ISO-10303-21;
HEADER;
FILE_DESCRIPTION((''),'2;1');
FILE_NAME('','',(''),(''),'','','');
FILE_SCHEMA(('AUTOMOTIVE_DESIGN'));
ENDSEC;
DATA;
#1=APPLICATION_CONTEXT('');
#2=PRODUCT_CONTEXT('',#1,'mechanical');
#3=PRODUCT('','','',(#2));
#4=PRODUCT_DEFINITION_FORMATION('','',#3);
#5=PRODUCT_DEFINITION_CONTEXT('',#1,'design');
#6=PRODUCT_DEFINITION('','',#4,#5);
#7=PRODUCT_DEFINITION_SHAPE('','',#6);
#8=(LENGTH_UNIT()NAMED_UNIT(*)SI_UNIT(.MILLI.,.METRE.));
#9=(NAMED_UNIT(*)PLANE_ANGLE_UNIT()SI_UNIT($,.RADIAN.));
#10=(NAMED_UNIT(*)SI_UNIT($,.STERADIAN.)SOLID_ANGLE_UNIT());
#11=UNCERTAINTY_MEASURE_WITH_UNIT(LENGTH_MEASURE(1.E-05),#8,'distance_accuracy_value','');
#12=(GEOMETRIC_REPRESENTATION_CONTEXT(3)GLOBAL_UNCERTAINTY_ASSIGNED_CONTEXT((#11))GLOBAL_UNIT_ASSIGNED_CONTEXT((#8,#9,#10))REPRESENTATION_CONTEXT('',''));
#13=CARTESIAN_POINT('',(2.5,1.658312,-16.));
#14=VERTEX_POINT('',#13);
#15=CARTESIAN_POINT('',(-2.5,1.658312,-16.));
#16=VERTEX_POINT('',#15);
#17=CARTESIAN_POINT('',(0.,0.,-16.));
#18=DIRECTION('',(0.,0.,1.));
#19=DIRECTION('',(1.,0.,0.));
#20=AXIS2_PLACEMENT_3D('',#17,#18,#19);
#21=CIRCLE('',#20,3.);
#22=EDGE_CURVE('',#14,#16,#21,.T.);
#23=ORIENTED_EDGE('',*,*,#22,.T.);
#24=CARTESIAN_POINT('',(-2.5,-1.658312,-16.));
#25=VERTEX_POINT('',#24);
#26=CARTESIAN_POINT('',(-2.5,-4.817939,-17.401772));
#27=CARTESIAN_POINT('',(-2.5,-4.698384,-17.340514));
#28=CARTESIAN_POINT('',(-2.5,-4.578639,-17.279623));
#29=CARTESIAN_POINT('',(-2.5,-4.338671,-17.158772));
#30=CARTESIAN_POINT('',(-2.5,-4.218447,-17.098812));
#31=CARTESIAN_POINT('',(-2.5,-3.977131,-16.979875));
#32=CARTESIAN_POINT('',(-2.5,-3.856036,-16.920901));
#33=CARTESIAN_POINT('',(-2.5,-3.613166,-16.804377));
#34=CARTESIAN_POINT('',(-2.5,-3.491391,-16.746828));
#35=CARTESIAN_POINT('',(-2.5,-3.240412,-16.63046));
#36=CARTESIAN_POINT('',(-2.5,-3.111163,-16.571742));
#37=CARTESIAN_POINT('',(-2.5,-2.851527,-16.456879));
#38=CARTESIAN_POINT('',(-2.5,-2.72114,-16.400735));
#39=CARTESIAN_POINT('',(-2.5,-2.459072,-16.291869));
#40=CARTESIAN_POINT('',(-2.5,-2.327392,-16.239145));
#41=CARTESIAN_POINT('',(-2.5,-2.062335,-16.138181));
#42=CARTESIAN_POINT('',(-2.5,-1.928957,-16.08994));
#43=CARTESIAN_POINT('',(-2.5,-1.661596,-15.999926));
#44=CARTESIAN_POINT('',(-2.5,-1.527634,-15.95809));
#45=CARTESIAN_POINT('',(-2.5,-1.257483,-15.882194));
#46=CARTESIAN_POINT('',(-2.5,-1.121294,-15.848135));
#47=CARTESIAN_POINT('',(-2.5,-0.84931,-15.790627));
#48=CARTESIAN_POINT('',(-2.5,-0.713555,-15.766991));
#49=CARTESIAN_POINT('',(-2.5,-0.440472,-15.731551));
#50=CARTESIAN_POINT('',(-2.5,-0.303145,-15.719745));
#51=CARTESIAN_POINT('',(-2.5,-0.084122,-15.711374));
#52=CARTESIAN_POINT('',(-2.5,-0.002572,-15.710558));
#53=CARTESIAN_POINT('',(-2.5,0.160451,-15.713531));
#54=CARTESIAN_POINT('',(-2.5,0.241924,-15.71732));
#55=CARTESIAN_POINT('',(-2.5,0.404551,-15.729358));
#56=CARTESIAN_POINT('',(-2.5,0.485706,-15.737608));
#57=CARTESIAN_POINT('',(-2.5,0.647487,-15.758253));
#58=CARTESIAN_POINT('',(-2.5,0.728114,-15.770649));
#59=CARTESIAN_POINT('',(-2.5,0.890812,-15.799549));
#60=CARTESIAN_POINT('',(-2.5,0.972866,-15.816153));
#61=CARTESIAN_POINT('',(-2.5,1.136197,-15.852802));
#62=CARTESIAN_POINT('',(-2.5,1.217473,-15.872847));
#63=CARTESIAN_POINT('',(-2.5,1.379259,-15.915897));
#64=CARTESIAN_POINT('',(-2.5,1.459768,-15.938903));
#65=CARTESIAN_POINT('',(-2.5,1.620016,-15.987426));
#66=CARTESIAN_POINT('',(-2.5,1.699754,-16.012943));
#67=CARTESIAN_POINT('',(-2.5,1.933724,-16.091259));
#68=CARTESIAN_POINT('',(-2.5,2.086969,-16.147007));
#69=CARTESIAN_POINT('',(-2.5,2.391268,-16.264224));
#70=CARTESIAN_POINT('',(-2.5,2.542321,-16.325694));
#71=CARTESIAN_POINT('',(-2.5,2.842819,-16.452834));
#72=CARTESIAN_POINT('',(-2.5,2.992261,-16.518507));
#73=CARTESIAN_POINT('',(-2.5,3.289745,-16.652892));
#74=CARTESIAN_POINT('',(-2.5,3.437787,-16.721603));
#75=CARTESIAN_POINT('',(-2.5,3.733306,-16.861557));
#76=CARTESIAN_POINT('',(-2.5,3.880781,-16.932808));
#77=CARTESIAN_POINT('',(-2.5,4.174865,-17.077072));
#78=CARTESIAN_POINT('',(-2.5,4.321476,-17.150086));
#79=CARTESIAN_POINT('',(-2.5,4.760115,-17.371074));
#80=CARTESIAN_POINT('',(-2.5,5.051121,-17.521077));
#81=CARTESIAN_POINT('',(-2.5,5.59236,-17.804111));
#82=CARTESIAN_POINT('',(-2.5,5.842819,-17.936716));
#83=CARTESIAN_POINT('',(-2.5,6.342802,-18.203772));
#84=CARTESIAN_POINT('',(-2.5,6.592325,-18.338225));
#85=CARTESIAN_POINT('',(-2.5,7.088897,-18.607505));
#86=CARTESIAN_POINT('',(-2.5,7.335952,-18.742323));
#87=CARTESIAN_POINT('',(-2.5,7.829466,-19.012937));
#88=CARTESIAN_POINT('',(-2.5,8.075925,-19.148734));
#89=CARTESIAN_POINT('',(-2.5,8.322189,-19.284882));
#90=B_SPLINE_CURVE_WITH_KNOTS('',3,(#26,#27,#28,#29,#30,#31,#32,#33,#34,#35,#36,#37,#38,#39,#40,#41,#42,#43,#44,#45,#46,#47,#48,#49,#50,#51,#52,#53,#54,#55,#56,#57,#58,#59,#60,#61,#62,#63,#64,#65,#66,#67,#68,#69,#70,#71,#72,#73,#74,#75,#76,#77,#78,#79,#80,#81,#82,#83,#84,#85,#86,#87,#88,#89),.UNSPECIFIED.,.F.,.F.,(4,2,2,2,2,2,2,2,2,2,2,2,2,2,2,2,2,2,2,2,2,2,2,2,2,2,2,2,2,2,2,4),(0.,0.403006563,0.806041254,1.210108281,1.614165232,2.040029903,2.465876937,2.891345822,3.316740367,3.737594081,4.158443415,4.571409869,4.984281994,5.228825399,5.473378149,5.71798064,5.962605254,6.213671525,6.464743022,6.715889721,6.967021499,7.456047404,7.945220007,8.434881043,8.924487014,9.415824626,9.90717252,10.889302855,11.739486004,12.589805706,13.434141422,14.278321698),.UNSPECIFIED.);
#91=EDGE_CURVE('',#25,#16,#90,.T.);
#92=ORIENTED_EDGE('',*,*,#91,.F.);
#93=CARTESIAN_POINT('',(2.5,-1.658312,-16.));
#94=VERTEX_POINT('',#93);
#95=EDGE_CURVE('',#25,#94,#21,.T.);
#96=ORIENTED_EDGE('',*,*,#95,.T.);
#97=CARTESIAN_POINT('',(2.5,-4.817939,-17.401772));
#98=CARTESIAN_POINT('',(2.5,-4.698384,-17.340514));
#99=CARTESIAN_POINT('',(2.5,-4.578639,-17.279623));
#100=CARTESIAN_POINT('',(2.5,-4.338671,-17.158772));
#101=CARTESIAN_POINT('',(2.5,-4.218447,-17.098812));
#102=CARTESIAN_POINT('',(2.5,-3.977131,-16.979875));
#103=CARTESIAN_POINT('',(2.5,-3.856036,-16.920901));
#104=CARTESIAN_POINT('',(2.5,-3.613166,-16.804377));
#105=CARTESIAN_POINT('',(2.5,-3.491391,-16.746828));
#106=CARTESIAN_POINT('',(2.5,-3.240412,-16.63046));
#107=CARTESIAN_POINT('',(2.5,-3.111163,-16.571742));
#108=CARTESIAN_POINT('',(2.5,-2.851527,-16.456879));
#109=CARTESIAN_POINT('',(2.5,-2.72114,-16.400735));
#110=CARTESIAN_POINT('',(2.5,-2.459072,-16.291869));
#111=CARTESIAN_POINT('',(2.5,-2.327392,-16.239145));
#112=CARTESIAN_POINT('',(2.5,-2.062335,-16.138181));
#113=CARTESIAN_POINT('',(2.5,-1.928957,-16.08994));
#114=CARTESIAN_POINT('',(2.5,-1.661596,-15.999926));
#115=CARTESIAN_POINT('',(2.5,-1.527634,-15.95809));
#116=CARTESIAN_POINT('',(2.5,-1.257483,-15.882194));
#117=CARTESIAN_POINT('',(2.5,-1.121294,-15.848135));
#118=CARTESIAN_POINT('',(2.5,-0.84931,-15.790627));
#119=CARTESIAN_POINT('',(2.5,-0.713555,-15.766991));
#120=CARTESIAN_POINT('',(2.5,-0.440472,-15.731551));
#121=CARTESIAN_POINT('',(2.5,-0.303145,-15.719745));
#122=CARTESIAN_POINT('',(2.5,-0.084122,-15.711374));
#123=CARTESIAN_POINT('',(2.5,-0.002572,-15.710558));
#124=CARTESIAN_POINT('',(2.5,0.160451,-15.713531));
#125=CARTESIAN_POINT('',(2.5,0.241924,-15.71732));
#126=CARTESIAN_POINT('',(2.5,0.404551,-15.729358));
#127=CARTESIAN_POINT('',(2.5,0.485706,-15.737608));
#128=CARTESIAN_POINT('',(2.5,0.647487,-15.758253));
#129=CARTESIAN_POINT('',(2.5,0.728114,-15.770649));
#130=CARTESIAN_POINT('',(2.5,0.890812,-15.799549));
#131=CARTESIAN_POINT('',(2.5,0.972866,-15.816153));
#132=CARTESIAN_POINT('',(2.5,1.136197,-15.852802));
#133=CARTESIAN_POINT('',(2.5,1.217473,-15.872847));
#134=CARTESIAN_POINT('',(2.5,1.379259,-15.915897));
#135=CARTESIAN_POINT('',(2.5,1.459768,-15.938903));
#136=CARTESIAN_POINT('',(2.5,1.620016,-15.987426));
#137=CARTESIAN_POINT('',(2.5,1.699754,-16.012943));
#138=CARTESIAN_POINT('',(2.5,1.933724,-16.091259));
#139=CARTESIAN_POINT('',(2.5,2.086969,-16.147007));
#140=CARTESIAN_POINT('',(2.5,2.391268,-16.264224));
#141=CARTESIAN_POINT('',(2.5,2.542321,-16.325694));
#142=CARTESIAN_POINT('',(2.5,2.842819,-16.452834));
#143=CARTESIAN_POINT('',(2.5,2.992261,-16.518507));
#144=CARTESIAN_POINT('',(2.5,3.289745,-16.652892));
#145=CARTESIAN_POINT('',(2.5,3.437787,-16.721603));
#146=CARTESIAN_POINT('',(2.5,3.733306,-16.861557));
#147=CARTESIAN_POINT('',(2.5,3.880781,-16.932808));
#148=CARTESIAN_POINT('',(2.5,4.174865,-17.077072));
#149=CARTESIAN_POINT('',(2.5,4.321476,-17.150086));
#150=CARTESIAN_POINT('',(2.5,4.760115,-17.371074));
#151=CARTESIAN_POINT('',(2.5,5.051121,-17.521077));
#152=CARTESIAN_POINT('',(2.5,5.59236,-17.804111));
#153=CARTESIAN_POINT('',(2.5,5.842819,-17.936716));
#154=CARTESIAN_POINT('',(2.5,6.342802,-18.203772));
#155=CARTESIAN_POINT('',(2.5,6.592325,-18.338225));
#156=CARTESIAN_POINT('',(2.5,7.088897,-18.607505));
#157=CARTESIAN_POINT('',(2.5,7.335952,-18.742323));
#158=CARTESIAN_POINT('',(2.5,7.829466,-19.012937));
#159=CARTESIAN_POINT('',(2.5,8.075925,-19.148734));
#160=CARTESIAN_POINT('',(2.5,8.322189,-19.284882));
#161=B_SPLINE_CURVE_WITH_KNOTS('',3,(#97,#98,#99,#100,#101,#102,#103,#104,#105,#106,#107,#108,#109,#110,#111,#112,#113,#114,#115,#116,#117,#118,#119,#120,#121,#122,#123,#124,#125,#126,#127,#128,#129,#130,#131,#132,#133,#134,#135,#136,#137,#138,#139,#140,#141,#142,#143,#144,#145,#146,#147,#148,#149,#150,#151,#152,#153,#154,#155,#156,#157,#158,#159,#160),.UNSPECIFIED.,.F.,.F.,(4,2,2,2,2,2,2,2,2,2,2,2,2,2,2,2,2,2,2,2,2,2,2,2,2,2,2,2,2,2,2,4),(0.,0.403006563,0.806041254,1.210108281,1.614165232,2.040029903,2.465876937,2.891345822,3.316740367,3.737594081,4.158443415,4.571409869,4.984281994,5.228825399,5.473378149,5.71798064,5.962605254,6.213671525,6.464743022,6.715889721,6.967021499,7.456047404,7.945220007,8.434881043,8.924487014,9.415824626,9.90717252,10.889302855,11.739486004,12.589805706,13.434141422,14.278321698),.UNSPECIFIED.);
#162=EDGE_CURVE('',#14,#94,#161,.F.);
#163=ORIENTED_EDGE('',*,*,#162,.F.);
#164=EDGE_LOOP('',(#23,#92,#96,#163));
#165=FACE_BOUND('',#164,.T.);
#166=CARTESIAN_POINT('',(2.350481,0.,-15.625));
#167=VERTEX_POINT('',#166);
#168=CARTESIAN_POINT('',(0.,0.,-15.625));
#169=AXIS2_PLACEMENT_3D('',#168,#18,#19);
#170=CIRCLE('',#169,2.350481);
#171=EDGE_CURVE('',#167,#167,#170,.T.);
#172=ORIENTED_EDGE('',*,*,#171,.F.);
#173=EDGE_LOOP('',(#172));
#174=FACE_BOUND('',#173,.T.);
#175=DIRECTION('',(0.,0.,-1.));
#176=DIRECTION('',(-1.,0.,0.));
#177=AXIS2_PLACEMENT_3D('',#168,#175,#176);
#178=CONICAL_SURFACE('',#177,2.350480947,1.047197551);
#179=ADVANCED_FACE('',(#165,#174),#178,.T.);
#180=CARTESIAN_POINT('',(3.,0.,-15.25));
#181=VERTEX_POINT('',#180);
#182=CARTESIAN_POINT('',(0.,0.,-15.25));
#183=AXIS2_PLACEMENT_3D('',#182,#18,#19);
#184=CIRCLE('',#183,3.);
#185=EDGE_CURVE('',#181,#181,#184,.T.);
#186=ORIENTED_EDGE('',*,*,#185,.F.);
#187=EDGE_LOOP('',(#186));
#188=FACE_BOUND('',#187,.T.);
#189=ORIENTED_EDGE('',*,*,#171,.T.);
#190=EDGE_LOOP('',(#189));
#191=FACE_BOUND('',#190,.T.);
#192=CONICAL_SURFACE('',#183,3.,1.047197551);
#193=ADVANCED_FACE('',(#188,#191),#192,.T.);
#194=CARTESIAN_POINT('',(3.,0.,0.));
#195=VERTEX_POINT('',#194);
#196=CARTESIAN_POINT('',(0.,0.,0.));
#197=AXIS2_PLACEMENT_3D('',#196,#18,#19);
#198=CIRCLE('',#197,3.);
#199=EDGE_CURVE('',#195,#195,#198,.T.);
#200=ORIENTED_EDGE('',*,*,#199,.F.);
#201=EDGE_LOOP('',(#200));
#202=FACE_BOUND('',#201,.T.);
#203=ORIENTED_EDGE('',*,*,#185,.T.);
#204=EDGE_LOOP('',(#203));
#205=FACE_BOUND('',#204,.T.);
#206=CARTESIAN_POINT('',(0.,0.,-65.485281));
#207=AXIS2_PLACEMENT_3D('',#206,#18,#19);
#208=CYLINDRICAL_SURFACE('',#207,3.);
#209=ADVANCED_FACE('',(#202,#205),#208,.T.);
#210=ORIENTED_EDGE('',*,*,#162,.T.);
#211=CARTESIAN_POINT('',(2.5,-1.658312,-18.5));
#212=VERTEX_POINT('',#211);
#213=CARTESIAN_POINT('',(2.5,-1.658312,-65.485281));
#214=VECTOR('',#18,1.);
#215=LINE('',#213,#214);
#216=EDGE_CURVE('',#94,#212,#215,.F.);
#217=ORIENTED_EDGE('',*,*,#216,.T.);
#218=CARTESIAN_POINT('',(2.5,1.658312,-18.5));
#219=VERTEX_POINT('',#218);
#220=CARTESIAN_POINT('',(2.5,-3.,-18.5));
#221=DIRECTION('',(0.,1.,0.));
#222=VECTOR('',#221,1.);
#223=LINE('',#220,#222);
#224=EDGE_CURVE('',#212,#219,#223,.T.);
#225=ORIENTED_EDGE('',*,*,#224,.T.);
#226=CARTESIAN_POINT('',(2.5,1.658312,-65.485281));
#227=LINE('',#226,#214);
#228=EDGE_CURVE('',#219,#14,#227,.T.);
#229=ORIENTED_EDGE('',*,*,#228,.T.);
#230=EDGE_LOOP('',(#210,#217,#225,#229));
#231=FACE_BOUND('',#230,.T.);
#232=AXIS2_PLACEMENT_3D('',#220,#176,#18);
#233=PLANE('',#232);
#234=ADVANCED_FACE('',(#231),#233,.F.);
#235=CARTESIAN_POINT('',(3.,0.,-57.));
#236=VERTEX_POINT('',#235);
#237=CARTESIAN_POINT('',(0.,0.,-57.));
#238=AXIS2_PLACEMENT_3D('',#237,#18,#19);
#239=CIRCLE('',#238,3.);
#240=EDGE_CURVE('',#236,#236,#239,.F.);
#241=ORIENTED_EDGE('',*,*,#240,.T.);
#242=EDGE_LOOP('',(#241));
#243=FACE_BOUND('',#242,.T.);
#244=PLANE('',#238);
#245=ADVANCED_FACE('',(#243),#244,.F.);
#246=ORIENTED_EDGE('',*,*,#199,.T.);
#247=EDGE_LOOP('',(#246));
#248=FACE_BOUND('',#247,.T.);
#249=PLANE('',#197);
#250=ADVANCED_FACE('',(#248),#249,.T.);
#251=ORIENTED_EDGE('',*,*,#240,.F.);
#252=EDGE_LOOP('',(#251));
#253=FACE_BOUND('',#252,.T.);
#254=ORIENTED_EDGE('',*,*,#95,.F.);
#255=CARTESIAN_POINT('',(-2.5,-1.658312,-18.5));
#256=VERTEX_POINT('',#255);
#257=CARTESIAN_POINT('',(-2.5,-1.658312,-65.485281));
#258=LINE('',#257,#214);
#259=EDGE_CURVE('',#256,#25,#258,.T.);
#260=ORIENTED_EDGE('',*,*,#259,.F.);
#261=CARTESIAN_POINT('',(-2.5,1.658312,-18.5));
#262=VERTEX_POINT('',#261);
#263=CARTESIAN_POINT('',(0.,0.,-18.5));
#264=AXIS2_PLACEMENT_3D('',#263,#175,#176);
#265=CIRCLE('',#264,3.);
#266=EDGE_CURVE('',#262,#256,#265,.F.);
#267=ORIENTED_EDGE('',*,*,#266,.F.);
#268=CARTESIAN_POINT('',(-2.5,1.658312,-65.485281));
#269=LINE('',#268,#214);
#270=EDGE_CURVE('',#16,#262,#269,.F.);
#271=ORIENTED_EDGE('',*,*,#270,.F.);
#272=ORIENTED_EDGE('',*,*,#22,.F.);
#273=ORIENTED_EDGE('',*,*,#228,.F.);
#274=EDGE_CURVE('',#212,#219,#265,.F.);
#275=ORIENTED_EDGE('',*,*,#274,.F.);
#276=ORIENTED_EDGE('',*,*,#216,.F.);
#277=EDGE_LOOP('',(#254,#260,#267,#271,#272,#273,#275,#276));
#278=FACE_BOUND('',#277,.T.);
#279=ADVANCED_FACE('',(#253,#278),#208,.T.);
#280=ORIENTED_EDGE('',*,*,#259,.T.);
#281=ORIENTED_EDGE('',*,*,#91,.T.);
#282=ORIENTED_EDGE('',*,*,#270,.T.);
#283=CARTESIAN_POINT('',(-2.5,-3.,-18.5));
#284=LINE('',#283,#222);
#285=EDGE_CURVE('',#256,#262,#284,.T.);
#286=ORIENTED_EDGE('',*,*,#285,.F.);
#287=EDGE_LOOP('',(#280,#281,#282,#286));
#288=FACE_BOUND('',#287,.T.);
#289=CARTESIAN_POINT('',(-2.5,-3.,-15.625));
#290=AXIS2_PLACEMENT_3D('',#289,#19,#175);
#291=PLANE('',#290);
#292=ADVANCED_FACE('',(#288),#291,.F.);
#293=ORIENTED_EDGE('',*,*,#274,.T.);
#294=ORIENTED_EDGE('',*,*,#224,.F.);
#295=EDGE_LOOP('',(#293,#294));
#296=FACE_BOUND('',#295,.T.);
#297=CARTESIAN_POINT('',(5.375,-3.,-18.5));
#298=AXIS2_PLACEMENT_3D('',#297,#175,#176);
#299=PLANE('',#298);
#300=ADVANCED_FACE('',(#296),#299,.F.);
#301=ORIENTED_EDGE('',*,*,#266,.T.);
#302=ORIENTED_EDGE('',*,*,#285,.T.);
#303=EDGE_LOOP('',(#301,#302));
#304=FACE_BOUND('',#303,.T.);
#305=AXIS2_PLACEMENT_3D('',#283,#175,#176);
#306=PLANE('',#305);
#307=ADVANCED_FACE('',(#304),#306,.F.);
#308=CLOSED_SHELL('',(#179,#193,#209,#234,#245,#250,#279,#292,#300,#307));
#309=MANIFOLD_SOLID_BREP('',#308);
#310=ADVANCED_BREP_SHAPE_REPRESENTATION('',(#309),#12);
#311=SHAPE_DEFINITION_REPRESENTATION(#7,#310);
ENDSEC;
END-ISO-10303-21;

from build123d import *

# Parameters (mm, degrees)
SKETCH3_R          = 3
BODY_DEPTH         = 57
CUT_KEY_DEPTH      = 58.15767665
CUT_KEY_DEPTH_BACK = 58.15767665
SKETCH7_W          = 2.875
SKETCH7_H          = 2.875


with BuildPart() as part:
    # Sketch3 → body (new body)
    with BuildSketch(Plane.XY):
        Circle(SKETCH3_R)
    extrude(amount=-BODY_DEPTH)

    # Sketch5 → cut-thread (revolve, cut)
    with BuildSketch(Plane(origin=(0, 0, 0), x_dir=(0, 0, -1), z_dir=(1, 0, 0)), mode=Mode.PRIVATE) as cut_thread_sk:
        Polygon((15.625, 2.350480947), (16, 3), (16, 5.821231691), (0, 5.821231691), (0, 3), (15.25, 3), align=None)
    revolve(cut_thread_sk.sketch.rotate(Axis((0, 0, 0), (0, 0, -1)), 90), axis=Axis((0, 0, 0), (0, 0, -1)), mode=Mode.SUBTRACT)

    # Sketch7 → cut-key (cut, two sides: drawn at the far end of the back side and taken through both)
    with BuildSketch(Plane(origin=(0, 0, 0), x_dir=(1, 0, 0), z_dir=(0, 1, 0)).offset(-CUT_KEY_DEPTH_BACK)):
        with Locations((3.9375, 17.0625)):
            Rectangle(SKETCH7_W, SKETCH7_H)
        with Locations((-3.9375, 17.0625)):
            Rectangle(SKETCH7_W, SKETCH7_H)
    extrude(amount=CUT_KEY_DEPTH + CUT_KEY_DEPTH_BACK, mode=Mode.SUBTRACT)


solid = part.part
